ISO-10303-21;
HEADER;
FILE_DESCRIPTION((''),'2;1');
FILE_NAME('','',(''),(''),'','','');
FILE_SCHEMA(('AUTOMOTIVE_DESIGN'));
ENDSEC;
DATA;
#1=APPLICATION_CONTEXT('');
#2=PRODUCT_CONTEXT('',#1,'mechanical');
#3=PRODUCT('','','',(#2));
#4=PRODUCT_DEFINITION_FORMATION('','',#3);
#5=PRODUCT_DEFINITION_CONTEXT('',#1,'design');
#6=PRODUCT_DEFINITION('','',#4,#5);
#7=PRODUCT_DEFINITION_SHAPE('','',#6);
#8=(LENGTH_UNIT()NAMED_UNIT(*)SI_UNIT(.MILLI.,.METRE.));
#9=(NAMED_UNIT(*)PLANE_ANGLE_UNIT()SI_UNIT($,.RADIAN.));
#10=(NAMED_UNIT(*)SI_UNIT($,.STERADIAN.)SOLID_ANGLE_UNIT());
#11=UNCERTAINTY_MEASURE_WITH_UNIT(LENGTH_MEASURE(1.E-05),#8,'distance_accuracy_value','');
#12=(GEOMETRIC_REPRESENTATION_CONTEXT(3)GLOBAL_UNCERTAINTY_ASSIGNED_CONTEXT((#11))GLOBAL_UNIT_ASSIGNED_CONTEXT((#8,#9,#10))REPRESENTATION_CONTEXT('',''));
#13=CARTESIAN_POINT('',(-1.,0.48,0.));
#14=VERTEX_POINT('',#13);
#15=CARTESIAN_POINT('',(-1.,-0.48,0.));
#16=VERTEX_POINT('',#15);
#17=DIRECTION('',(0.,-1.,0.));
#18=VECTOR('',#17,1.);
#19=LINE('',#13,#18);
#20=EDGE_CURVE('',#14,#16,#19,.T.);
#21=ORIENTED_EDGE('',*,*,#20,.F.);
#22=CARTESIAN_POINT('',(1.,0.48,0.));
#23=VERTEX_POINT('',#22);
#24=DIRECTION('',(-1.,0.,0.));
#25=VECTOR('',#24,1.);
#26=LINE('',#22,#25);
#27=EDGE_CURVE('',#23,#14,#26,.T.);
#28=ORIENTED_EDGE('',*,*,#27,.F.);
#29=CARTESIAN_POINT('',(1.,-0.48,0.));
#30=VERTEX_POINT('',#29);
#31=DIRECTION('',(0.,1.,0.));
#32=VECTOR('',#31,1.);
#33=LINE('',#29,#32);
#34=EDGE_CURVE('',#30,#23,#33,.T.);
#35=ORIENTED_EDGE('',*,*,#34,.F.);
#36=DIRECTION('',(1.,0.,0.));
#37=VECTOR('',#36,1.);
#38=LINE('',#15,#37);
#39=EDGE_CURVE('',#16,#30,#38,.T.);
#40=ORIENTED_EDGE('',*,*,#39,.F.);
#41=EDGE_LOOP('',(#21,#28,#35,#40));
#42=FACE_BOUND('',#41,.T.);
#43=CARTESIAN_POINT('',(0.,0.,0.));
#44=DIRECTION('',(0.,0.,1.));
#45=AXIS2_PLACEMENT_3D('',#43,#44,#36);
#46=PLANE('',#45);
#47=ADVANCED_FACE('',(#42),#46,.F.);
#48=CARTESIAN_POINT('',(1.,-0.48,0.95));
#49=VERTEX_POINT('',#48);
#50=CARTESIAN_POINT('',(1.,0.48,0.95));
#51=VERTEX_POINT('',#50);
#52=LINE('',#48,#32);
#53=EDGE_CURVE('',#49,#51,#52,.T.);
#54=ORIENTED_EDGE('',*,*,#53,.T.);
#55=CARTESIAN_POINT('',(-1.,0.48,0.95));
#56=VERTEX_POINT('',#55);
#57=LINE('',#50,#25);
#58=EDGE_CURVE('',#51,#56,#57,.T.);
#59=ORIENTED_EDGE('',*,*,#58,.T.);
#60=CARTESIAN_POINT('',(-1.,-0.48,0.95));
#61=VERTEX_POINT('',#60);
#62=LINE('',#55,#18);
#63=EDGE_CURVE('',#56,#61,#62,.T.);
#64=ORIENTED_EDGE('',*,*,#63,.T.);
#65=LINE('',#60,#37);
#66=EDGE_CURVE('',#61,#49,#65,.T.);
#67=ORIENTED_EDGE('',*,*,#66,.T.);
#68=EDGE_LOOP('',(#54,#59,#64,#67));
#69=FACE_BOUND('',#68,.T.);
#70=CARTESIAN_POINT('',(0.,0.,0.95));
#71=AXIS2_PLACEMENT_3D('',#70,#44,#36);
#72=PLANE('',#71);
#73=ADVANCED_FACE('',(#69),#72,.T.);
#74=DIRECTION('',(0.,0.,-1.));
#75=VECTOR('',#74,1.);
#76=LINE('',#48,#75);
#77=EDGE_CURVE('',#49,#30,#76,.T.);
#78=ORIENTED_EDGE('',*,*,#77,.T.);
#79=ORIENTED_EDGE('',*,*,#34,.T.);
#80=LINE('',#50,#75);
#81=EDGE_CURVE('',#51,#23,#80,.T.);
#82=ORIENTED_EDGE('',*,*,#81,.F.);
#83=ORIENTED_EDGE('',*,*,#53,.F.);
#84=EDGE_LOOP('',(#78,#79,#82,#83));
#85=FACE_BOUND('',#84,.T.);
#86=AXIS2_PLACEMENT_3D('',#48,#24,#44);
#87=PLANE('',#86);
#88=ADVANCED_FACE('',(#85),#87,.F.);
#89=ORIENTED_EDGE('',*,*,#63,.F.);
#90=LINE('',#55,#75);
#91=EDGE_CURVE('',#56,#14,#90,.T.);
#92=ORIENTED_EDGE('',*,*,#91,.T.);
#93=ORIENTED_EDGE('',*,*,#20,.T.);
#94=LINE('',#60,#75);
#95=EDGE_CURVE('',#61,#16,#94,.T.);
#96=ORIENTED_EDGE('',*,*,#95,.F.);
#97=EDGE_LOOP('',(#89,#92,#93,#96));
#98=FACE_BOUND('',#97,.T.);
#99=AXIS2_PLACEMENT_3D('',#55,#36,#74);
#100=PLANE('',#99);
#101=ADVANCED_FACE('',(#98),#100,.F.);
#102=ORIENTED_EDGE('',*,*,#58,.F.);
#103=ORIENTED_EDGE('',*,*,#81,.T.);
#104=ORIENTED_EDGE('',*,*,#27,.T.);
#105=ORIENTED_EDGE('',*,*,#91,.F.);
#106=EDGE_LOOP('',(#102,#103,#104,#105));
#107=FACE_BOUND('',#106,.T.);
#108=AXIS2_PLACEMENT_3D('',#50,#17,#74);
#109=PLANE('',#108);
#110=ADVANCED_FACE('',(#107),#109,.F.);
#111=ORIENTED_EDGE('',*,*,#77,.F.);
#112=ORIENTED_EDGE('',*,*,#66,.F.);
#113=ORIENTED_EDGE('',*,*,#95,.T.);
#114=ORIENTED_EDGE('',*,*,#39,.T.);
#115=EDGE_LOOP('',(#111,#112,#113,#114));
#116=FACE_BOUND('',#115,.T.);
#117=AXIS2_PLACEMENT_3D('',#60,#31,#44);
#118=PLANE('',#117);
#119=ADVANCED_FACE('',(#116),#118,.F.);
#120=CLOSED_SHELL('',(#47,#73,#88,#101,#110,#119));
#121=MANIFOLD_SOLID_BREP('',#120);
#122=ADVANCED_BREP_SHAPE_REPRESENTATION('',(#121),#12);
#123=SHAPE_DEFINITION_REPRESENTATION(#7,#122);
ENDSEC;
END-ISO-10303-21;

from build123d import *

# Parameters (mm, degrees)
SKETCH_1_W              = 2
SKETCH_1_H              = 0.96
COMPONENT_OUTLINE_DEPTH = 0.95


with BuildPart() as part:
    # 草图1 → Component_Outline (new body)
    with BuildSketch(Plane.XY):
        Rectangle(SKETCH_1_W, SKETCH_1_H)
    extrude(amount=COMPONENT_OUTLINE_DEPTH)


solid = part.part
